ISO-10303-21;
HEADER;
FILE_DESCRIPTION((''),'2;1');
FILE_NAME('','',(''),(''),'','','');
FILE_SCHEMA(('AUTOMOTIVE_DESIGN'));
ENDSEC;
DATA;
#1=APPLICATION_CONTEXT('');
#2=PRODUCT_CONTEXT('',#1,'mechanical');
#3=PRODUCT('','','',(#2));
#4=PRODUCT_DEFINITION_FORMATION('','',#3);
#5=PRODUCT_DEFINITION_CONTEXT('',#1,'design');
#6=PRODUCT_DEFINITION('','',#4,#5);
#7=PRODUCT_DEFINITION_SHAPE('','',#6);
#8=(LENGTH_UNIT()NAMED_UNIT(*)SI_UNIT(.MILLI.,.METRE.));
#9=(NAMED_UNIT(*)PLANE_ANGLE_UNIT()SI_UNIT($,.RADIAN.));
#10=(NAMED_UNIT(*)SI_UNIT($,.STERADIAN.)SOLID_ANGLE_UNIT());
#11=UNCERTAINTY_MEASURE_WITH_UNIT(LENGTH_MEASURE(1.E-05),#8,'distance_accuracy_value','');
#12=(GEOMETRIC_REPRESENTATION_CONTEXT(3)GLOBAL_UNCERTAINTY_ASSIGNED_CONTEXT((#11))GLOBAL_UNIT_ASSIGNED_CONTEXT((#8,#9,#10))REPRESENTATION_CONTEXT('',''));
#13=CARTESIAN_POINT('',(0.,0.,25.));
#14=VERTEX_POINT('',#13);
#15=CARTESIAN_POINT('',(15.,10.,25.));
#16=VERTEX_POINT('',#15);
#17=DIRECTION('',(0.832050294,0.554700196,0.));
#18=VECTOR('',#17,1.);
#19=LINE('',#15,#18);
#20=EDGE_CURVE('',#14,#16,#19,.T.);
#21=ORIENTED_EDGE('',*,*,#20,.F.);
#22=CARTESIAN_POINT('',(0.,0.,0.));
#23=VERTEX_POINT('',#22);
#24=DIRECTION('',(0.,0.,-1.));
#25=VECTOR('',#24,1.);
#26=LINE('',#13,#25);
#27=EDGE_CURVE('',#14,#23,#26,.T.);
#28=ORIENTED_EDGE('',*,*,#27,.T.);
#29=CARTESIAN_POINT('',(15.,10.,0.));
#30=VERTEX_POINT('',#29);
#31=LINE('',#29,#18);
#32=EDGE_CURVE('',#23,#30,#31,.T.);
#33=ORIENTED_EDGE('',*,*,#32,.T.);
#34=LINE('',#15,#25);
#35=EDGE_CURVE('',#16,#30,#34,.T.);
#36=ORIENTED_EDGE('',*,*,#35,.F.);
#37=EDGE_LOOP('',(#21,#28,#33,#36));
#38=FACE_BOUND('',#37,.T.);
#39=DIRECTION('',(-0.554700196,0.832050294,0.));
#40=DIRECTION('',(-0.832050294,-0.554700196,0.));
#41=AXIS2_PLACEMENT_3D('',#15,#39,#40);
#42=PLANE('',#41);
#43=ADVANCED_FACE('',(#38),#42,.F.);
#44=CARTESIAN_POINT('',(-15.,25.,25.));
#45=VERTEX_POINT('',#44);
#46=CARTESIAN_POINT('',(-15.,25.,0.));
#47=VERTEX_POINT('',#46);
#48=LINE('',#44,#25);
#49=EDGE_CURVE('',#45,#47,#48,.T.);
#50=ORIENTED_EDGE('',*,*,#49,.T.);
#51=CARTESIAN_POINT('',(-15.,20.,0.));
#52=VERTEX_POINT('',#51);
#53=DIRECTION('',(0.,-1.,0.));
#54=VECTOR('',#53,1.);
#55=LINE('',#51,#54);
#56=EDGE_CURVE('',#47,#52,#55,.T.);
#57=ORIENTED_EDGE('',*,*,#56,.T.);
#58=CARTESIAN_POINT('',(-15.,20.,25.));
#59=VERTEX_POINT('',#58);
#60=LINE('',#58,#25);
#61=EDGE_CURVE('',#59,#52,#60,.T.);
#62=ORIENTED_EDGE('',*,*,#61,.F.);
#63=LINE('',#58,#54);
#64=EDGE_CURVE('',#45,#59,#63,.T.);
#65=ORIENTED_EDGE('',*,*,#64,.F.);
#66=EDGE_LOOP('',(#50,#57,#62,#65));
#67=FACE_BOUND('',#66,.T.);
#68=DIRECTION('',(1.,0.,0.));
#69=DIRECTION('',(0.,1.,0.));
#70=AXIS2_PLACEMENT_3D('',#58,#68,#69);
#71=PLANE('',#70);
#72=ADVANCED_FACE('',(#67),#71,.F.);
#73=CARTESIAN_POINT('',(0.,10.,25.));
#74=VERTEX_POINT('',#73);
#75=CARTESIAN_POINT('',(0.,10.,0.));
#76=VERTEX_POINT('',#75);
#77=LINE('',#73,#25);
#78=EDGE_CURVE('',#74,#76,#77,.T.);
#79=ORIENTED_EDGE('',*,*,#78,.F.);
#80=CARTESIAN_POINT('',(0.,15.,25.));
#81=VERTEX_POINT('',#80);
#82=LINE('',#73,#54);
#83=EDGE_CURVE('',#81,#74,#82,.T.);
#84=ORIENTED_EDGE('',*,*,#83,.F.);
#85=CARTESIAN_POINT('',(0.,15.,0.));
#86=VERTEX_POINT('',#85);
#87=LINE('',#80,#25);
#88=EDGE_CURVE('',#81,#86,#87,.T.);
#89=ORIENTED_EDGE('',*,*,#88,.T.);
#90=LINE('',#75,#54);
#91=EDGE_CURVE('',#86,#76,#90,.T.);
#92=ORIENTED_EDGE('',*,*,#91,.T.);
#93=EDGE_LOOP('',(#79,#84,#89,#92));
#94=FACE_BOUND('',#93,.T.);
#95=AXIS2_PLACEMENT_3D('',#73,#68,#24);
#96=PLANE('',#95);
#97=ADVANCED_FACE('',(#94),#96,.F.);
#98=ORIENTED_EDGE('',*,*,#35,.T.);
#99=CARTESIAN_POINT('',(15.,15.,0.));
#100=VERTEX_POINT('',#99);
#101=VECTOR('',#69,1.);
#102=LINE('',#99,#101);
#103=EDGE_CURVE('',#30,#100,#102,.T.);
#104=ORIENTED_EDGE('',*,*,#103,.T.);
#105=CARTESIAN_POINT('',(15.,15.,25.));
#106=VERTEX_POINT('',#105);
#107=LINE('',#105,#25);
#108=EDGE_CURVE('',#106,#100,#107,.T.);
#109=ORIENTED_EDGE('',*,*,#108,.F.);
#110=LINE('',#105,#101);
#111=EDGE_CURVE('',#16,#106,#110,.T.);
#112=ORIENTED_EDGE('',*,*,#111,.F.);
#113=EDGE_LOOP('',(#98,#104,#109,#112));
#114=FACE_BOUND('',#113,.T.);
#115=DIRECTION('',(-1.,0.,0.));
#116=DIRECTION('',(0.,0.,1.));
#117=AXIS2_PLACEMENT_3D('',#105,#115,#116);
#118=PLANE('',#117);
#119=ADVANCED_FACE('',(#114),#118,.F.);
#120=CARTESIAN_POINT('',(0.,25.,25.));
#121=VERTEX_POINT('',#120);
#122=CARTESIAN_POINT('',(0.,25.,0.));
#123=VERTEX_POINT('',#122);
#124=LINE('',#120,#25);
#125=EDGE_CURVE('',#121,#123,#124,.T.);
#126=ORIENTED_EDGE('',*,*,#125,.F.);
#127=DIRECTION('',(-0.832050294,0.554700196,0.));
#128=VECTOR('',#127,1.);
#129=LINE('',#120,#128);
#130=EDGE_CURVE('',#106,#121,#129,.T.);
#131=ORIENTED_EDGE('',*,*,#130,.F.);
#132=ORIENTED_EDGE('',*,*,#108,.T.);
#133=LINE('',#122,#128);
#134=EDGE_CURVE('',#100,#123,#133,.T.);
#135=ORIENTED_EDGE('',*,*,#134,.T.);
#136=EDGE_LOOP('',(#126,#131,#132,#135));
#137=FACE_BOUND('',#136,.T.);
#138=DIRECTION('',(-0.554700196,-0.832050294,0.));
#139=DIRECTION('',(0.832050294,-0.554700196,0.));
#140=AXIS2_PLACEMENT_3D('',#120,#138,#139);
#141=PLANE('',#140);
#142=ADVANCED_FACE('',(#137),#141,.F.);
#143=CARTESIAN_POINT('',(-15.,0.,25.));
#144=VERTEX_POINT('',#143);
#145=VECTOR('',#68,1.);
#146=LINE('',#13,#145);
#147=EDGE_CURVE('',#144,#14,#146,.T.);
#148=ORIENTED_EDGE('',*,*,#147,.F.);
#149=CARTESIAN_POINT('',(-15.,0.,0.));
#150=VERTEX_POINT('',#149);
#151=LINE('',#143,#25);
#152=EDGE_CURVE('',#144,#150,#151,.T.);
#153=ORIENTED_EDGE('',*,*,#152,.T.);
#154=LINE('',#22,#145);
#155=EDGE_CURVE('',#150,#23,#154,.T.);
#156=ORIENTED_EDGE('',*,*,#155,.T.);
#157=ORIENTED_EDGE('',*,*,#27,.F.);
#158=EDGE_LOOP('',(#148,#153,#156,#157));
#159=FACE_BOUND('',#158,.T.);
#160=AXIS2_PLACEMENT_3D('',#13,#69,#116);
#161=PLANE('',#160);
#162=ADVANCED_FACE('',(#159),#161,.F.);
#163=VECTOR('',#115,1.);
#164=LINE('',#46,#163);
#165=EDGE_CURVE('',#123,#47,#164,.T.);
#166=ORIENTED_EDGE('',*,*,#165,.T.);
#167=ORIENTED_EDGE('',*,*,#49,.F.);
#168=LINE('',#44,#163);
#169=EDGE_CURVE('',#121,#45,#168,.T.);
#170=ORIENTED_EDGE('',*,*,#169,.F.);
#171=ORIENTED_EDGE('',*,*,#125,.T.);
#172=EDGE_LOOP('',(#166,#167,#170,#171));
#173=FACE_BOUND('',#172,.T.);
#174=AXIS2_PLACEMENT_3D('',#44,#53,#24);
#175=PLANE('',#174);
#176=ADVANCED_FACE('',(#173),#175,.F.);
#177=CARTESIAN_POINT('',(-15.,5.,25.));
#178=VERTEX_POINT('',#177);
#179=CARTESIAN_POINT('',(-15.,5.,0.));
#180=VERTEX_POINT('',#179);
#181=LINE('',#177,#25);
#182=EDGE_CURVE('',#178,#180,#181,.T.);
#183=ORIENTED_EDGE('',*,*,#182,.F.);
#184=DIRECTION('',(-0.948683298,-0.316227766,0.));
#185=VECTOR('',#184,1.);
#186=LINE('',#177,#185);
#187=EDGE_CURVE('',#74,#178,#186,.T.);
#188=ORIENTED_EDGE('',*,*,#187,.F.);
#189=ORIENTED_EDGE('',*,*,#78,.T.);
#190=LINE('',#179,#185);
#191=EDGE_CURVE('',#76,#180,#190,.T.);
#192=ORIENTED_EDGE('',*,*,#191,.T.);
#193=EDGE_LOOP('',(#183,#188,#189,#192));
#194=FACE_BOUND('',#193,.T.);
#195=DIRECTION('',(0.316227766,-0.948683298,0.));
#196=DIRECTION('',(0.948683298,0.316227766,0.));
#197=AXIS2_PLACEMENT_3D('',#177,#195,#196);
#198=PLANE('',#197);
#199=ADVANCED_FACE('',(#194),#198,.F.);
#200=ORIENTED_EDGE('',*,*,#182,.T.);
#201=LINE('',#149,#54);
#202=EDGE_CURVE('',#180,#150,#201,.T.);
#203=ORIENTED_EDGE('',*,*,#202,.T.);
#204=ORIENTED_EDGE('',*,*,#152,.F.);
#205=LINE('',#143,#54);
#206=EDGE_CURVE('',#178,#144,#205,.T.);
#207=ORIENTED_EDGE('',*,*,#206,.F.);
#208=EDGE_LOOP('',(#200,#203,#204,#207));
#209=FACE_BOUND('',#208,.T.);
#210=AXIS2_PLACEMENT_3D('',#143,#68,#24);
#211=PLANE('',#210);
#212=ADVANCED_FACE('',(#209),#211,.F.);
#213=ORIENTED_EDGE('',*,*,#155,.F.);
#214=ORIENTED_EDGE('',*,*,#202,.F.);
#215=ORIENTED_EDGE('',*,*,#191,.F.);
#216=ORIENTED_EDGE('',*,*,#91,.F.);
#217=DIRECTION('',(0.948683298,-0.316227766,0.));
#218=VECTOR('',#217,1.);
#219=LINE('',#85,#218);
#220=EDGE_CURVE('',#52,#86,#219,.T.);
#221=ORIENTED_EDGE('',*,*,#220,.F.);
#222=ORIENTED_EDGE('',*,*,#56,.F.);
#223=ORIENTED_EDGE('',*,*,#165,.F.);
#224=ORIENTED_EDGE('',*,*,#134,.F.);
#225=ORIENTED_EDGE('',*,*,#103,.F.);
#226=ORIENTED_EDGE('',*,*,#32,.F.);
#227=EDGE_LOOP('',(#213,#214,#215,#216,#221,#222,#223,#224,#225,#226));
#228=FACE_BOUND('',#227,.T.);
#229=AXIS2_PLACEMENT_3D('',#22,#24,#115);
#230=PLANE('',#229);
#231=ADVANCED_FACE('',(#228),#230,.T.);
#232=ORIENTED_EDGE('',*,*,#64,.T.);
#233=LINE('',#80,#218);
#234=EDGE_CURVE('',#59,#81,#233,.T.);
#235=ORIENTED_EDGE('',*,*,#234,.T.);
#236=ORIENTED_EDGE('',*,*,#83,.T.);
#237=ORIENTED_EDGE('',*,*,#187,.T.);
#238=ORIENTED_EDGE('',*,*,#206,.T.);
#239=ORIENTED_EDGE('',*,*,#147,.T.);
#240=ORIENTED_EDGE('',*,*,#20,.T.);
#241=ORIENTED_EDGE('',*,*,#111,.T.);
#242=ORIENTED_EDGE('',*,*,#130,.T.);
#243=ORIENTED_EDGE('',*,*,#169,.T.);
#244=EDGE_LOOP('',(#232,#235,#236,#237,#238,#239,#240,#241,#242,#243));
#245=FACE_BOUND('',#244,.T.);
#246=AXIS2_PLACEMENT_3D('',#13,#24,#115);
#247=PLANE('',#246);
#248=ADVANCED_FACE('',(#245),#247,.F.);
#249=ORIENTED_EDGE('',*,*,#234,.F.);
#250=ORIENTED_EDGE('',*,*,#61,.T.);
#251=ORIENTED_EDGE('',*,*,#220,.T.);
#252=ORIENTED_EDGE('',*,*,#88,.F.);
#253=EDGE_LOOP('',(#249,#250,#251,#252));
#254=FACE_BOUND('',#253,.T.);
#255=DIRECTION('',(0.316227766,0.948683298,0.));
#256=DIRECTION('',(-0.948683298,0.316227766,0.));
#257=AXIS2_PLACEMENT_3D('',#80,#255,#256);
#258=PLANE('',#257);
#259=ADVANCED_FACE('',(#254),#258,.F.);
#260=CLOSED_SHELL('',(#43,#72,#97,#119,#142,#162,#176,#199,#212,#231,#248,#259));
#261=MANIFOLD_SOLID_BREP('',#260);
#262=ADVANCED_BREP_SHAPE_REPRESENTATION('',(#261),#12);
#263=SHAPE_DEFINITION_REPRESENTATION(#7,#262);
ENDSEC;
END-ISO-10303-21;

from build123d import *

# Parameters (mm, degrees)
BOSS_EXTRUDE1_DEPTH = 25


with BuildPart() as part:
    # Sketch1 → Boss-Extrude1 (new body)
    with BuildSketch(Plane.XY):
        Polygon((-15, 25), (0, 25), (15, 15), (15, 10), (0, 0), (-15, 0), (-15, 5), (0, 10), (0, 15), (-15, 20), align=None)
    extrude(amount=BOSS_EXTRUDE1_DEPTH)


solid = part.part
